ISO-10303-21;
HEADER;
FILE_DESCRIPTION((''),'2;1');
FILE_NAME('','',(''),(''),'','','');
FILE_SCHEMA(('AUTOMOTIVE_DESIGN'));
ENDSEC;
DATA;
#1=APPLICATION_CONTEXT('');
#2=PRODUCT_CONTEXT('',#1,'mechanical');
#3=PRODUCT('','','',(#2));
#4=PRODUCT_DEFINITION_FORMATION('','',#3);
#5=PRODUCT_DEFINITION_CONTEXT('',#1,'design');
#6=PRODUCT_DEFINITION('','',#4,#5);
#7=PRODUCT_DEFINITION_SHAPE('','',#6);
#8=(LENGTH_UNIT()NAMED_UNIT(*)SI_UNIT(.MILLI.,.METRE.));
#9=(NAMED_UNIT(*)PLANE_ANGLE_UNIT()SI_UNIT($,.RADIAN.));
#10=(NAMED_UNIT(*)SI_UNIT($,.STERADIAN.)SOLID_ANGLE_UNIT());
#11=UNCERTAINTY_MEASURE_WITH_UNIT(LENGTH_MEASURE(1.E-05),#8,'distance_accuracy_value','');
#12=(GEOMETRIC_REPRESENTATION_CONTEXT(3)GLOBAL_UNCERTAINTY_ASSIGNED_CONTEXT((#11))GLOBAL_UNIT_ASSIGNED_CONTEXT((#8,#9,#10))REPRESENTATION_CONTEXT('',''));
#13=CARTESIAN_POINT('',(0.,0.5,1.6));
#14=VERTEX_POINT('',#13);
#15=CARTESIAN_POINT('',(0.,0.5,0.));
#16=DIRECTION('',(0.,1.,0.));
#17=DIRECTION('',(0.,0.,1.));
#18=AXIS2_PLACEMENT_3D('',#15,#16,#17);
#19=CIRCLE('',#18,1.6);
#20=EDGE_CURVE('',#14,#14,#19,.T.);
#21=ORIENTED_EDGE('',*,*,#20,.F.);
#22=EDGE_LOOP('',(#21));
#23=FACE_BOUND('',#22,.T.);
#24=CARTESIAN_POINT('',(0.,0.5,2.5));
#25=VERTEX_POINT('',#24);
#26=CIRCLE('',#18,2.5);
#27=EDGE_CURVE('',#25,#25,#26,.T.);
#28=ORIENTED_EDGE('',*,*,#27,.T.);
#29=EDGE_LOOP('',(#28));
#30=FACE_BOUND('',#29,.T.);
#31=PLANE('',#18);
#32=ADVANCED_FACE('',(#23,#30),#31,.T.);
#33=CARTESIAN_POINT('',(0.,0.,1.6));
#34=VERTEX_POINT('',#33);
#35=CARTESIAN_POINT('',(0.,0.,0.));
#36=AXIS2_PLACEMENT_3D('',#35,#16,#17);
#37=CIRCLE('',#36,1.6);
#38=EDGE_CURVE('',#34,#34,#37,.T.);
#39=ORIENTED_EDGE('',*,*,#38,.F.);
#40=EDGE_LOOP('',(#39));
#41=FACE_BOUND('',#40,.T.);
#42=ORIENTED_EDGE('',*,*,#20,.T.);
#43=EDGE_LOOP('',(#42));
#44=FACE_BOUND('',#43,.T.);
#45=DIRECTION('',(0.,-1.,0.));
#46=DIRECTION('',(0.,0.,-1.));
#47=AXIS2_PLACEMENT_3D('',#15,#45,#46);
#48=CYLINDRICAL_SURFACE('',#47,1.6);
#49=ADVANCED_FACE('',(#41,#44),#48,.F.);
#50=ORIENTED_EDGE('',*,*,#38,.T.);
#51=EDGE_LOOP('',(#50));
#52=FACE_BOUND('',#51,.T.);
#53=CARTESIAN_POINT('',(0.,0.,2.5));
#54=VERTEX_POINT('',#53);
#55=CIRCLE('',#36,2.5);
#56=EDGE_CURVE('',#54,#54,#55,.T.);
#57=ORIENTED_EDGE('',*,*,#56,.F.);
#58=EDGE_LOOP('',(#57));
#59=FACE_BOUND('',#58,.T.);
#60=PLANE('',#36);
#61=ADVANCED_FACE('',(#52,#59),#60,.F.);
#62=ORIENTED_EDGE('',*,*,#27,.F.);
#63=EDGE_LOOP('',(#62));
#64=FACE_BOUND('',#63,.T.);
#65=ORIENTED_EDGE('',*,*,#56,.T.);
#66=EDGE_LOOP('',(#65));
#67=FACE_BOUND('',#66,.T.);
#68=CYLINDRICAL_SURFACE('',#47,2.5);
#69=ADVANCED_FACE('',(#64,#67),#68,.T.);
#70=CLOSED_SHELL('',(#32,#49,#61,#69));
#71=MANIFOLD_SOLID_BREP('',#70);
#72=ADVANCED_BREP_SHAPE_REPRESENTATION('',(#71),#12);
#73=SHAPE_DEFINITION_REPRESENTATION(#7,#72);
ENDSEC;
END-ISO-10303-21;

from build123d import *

# Parameters (mm, degrees)
SKETCH_1_R      = 2.5
SKETCH_1_R_2    = 1.6
EXTRUDE_1_DEPTH = 0.5


with BuildPart() as part:
    # 草图1 → 凸台-拉伸1 (new body)
    with BuildSketch(Plane(origin=(0, 0, 0), x_dir=(1, 0, 0), z_dir=(0, 1, 0))):
        with Locations(Location((0, 0, 0), (0, 0, 270))):
            Circle(SKETCH_1_R)
        with Locations(Location((0, 0, 0), (0, 0, 270))):
            Circle(SKETCH_1_R_2, mode=Mode.SUBTRACT)
    extrude(amount=EXTRUDE_1_DEPTH)


solid = part.part
